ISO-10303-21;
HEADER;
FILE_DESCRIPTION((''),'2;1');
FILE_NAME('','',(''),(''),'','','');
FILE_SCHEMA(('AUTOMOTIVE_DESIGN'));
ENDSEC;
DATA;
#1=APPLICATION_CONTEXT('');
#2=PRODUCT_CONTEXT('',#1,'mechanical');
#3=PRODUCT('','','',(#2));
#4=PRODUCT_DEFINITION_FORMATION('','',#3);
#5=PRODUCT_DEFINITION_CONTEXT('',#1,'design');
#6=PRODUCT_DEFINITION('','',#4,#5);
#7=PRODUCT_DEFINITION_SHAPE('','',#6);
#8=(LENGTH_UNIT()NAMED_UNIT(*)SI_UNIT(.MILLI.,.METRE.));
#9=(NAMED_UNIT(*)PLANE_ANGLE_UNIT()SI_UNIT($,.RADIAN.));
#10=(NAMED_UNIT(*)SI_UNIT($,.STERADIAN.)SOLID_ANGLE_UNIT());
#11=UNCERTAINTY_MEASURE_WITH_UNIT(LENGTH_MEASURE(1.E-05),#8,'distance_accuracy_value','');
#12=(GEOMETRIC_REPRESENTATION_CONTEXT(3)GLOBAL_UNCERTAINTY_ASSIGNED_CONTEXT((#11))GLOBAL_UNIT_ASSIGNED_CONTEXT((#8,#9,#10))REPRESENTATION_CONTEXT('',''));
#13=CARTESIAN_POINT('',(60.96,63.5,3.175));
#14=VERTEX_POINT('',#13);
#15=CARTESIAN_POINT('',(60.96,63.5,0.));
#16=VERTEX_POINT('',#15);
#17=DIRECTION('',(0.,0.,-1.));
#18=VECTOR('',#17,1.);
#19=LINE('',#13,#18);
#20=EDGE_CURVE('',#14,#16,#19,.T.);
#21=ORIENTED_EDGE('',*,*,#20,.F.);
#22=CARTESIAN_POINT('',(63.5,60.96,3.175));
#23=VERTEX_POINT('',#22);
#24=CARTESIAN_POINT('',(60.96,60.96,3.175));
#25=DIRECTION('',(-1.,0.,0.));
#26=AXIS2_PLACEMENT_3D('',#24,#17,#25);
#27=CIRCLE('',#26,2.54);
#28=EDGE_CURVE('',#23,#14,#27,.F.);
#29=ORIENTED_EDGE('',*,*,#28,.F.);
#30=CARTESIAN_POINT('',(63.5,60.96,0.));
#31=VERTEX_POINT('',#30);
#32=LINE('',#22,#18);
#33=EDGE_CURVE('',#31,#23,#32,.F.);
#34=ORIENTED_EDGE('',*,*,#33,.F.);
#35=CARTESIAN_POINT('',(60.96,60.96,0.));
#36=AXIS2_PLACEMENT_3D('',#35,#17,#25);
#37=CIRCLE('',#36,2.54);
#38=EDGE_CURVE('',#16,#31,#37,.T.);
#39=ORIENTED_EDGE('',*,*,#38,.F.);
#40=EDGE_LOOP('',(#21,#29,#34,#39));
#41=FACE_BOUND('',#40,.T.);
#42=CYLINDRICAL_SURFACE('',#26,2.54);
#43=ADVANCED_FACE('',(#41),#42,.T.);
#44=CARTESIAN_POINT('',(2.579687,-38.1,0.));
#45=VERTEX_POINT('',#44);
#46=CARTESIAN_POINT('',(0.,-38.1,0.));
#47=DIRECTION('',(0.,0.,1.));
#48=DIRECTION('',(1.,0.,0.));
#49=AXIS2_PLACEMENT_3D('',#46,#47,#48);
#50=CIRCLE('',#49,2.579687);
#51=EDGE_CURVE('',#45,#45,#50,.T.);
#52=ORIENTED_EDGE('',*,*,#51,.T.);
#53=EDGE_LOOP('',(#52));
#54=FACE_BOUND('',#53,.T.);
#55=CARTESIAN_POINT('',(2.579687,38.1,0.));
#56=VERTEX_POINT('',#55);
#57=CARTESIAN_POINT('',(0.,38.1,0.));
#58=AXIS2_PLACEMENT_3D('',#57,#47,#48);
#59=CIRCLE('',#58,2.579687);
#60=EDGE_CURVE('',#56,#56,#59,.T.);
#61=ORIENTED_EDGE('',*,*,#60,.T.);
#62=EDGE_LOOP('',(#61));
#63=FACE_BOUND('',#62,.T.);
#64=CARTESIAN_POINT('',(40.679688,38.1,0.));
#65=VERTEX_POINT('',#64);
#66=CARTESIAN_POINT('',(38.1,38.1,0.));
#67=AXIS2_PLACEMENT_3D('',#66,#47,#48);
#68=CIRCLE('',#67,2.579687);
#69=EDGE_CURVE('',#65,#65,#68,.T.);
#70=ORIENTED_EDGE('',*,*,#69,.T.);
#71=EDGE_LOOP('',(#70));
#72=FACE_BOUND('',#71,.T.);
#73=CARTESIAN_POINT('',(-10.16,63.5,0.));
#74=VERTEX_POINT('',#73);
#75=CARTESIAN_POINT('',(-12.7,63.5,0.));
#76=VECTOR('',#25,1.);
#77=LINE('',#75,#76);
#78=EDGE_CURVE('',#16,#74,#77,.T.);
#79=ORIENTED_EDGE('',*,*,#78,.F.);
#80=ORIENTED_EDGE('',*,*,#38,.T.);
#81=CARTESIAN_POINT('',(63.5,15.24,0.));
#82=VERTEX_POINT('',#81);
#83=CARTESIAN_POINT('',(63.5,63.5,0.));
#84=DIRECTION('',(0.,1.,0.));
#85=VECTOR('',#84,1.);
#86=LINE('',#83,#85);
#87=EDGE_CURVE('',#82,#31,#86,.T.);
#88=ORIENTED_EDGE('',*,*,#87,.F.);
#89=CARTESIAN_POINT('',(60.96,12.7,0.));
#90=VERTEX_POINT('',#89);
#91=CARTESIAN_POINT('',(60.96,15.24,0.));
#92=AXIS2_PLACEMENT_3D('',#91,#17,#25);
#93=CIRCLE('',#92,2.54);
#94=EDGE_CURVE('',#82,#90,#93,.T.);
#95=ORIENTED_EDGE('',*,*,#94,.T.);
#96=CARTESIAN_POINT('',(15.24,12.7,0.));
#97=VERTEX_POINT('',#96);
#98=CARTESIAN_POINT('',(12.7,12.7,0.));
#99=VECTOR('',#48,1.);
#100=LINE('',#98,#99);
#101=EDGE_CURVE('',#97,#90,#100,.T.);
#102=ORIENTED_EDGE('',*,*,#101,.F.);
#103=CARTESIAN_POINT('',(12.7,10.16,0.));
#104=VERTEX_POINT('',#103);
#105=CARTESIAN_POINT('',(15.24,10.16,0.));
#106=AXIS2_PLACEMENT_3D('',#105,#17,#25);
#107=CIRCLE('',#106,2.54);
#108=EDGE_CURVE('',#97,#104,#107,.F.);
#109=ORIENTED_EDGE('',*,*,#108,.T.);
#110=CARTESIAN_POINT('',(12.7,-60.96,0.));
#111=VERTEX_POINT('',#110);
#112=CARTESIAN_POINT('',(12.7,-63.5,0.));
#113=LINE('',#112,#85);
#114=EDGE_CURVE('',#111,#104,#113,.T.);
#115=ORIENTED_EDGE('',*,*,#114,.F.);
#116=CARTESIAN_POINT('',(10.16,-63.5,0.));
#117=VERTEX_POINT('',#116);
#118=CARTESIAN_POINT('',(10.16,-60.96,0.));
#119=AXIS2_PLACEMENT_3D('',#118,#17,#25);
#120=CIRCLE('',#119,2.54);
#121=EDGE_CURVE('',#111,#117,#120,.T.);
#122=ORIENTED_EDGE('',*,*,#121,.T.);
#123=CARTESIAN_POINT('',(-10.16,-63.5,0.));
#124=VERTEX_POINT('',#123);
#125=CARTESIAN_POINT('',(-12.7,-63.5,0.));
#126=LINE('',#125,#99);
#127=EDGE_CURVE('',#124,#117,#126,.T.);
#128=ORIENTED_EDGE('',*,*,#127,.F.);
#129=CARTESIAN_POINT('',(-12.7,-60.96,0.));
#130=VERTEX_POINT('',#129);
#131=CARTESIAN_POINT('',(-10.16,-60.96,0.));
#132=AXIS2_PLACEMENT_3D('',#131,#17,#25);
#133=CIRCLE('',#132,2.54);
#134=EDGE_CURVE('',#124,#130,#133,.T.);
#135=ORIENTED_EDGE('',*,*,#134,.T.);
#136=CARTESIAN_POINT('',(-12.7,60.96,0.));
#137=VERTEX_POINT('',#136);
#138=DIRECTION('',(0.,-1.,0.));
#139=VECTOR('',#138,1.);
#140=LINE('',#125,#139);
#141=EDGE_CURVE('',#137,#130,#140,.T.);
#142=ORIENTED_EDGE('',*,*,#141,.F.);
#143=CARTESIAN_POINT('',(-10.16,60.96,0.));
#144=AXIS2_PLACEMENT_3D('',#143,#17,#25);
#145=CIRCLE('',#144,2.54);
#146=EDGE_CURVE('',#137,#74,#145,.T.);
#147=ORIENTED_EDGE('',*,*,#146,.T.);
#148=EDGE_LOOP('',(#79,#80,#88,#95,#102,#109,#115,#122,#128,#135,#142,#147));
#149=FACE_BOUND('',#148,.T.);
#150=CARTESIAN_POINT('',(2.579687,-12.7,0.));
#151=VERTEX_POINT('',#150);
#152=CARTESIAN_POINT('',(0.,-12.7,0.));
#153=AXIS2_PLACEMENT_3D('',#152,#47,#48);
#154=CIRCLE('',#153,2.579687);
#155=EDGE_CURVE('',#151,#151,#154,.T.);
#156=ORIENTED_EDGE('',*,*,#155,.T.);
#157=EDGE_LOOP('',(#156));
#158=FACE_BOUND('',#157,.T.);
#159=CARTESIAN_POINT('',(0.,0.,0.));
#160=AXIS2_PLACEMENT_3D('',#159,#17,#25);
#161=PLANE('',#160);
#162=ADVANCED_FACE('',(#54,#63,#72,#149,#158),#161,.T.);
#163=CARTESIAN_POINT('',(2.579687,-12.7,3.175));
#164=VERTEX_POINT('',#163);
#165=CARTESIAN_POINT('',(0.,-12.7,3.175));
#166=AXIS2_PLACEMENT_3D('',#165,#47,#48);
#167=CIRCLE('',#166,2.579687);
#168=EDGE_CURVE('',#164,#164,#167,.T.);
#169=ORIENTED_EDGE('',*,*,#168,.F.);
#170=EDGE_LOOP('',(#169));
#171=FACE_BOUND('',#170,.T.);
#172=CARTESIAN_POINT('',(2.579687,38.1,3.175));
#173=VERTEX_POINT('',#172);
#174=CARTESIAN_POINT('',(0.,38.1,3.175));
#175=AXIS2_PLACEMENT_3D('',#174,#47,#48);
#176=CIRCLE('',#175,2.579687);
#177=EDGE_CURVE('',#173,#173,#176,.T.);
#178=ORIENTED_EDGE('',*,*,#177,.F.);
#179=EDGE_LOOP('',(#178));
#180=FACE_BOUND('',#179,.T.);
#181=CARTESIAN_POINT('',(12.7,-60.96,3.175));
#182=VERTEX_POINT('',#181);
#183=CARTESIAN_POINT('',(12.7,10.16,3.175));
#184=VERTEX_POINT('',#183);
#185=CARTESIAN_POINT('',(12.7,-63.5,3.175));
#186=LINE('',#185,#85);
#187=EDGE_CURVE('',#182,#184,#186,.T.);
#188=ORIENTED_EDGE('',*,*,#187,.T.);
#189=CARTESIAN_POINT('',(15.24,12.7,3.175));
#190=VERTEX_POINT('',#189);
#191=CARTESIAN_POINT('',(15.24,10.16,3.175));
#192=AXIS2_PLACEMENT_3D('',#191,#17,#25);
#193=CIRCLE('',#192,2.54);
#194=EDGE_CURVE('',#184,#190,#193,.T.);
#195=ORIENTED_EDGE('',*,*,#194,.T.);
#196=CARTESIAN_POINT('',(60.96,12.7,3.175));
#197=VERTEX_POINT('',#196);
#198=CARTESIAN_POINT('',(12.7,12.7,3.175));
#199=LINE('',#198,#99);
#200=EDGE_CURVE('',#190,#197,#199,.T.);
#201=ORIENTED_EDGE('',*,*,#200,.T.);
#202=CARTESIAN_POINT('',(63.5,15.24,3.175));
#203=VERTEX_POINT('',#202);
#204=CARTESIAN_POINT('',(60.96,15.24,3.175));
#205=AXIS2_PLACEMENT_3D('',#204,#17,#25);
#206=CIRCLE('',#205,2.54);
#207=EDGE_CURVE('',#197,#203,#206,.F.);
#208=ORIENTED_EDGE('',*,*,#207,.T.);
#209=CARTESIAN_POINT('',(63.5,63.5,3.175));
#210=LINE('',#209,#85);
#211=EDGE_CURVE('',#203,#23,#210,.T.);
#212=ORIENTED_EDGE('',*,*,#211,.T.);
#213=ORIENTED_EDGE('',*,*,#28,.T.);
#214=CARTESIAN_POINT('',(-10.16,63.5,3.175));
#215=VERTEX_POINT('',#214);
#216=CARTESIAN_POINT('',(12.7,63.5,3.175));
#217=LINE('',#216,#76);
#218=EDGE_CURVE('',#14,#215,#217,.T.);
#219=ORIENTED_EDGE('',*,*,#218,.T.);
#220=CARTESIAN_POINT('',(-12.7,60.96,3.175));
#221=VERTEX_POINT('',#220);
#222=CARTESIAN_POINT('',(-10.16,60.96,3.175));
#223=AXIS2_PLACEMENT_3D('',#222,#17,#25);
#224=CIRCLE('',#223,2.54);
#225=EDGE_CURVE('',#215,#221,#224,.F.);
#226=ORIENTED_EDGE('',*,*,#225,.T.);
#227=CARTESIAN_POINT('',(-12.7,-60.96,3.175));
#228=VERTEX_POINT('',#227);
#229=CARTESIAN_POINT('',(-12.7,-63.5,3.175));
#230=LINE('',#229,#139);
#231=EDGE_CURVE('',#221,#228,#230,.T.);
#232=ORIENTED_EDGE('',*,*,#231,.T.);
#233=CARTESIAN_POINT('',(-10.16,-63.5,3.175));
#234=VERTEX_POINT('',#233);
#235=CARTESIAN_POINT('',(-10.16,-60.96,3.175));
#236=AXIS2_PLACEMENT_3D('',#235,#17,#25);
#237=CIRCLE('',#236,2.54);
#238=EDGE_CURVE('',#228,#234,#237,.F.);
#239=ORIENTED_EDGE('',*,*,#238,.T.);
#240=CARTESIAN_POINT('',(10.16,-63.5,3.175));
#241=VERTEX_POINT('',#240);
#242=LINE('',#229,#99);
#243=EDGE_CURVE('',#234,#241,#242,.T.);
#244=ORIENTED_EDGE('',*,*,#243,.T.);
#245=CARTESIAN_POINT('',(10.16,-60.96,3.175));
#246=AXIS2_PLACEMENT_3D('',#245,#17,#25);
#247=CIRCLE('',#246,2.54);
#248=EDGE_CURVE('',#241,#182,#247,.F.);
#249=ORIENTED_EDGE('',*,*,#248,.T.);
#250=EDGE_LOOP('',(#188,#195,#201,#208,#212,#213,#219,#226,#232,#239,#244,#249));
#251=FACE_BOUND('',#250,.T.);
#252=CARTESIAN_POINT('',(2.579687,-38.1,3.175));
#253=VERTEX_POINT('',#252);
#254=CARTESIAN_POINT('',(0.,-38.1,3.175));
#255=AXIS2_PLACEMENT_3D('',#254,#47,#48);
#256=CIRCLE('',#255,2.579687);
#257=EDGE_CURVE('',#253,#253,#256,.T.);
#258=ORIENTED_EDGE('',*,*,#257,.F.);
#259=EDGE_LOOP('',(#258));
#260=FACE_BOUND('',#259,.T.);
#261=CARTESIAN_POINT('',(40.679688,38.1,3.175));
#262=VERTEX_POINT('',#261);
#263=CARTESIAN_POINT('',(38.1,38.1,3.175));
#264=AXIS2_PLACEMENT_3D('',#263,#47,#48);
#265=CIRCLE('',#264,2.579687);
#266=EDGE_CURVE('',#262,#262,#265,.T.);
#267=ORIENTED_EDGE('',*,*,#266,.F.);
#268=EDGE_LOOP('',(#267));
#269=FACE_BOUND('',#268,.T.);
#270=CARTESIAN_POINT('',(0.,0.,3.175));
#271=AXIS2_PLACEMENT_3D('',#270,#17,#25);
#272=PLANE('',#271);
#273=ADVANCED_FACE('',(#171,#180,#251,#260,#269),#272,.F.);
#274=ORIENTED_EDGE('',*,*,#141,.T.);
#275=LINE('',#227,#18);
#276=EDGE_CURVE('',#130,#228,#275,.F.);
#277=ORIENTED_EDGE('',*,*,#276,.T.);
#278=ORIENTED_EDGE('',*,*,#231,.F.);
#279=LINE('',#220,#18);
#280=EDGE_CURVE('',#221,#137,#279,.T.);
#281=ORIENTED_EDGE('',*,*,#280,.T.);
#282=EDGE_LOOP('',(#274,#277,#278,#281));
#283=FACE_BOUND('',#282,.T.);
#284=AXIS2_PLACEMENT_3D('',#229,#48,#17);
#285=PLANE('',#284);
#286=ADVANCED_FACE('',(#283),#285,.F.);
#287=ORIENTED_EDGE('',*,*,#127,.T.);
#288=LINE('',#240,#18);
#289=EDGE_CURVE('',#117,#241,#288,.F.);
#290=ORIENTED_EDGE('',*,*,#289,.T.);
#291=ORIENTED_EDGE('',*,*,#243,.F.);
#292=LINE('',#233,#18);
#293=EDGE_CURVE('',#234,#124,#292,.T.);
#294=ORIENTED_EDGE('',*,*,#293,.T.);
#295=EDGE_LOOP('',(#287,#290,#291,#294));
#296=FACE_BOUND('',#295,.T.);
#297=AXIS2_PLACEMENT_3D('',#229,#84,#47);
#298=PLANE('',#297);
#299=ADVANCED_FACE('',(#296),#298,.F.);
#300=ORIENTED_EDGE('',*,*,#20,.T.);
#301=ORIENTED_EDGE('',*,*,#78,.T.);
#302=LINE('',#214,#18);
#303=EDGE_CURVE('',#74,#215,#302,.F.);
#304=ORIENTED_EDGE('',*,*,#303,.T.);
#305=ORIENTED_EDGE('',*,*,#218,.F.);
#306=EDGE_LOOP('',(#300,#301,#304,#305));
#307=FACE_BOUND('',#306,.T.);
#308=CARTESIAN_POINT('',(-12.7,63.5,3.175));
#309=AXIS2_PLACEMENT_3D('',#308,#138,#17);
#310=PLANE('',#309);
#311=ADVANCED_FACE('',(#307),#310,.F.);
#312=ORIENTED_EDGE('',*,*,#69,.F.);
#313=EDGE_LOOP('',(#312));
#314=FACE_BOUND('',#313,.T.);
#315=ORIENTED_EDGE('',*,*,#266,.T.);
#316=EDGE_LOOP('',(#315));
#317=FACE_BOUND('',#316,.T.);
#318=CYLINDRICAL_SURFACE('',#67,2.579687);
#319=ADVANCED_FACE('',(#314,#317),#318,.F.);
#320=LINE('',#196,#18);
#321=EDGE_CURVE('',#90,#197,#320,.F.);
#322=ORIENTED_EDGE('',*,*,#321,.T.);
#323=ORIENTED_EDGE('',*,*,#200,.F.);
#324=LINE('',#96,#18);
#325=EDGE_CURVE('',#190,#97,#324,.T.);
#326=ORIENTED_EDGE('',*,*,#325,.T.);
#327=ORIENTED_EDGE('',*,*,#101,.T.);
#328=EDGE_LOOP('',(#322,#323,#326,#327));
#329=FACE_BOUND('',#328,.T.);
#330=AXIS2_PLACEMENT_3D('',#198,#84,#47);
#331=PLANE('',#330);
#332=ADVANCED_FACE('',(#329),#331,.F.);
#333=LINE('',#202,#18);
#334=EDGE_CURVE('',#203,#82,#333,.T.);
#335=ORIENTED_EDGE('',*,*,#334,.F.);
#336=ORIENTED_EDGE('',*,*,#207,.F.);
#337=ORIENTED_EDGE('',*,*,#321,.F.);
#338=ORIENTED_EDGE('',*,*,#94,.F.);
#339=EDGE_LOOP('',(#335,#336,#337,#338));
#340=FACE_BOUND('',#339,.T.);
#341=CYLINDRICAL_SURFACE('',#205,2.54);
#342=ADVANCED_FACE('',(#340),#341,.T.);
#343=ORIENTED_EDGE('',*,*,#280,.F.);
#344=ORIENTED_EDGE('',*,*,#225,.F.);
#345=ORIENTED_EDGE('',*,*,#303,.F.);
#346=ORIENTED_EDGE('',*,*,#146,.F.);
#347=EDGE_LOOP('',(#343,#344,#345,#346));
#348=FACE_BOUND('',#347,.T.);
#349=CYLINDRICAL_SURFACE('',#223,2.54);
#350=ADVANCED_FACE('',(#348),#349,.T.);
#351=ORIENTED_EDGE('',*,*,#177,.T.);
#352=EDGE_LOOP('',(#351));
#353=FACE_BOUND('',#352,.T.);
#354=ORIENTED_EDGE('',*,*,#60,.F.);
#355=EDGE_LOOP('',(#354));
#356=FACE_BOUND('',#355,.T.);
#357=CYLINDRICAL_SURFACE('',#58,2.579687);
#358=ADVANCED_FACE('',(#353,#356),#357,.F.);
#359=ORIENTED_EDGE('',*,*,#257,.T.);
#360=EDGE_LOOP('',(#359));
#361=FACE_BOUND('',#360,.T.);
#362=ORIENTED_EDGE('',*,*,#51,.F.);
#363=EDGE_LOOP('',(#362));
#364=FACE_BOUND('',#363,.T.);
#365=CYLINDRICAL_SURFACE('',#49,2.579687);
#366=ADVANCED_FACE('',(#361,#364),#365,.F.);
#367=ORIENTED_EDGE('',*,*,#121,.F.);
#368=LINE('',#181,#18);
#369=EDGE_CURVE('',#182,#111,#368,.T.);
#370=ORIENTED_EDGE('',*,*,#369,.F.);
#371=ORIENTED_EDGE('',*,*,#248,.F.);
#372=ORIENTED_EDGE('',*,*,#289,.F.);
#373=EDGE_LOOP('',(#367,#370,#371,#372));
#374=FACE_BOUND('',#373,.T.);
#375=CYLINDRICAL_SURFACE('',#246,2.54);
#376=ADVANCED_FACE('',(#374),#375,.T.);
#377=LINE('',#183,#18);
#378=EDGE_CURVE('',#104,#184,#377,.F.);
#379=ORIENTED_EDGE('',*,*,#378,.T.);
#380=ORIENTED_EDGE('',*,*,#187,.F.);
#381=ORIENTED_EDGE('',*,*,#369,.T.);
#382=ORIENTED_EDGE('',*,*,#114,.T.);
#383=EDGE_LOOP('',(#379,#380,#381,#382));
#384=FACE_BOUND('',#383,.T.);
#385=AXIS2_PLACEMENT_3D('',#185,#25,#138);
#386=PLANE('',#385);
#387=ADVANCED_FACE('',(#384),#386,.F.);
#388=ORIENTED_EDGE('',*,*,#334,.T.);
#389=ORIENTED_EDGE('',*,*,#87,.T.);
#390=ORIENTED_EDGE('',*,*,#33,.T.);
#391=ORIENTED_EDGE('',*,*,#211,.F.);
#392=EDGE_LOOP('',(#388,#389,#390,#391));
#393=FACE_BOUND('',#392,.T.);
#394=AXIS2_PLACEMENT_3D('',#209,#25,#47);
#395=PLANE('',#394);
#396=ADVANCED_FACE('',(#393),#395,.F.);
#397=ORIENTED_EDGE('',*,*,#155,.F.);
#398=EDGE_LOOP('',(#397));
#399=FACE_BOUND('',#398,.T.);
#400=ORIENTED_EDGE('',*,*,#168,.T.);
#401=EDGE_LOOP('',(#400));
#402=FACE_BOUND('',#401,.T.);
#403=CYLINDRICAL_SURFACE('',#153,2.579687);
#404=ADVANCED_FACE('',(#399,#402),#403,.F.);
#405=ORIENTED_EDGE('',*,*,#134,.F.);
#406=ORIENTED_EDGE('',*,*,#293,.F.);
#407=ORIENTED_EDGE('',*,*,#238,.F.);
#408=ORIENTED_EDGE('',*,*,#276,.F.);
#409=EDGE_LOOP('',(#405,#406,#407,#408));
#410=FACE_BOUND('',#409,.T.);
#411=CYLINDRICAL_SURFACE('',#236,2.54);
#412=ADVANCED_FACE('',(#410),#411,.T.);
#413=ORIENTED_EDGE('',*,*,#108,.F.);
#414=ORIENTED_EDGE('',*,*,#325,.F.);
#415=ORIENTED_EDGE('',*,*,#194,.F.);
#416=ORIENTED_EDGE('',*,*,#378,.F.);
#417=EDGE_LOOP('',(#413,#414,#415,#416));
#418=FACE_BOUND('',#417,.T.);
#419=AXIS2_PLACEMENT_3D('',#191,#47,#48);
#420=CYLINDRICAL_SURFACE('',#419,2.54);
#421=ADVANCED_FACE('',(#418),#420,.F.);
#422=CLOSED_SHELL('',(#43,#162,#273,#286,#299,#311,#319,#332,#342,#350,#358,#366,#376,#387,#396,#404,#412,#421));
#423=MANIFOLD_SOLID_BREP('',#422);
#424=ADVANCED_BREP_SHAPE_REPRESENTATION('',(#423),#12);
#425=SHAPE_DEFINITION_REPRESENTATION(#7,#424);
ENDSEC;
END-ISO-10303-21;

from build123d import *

# Parameters (mm, degrees)
BOSS_EXTRUDE1_DEPTH = 3.175
SKETCH2_R           = 2.5796875
CUT_EXTRUDE1_DEPTH  = 3.175
FILLET1_R           = 2.54


with BuildPart() as part:
    # Sketch1 → Boss-Extrude1 (new body)
    with BuildSketch(Plane.XY):
        Polygon((-12.7, -63.5), (12.7, -63.5), (12.7, 12.7), (63.5, 12.7), (63.5, 63.5), (12.7, 63.5), (-12.7, 63.5), align=None)
    extrude(amount=BOSS_EXTRUDE1_DEPTH)

    # Sketch2 → Cut-Extrude1 (cut)
    with BuildSketch(Plane.XY.offset(3.175)):
        with Locations((0, 38.1)):
            Circle(SKETCH2_R)
        with Locations((38.1, 38.1)):
            Circle(SKETCH2_R)
        with Locations((0, -38.1)):
            Circle(SKETCH2_R)
        with Locations((0, -12.7)):
            Circle(SKETCH2_R)
    extrude(amount=-CUT_EXTRUDE1_DEPTH, mode=Mode.SUBTRACT)

    # Fillet1
    fillet1_edges = [part.edges().sort_by_distance(p)[0] for p in [
        (63.5, 63.5, 1.5875),
        (63.5, 12.7, 1.5875),
        (12.7, 12.7, 1.5875),
        (12.7, -63.5, 1.5875),
        (-12.7, -63.5, 1.5875),
        (-12.7, 63.5, 1.5875),
    ]]
    fillet(fillet1_edges, radius=FILLET1_R)


solid = part.part
